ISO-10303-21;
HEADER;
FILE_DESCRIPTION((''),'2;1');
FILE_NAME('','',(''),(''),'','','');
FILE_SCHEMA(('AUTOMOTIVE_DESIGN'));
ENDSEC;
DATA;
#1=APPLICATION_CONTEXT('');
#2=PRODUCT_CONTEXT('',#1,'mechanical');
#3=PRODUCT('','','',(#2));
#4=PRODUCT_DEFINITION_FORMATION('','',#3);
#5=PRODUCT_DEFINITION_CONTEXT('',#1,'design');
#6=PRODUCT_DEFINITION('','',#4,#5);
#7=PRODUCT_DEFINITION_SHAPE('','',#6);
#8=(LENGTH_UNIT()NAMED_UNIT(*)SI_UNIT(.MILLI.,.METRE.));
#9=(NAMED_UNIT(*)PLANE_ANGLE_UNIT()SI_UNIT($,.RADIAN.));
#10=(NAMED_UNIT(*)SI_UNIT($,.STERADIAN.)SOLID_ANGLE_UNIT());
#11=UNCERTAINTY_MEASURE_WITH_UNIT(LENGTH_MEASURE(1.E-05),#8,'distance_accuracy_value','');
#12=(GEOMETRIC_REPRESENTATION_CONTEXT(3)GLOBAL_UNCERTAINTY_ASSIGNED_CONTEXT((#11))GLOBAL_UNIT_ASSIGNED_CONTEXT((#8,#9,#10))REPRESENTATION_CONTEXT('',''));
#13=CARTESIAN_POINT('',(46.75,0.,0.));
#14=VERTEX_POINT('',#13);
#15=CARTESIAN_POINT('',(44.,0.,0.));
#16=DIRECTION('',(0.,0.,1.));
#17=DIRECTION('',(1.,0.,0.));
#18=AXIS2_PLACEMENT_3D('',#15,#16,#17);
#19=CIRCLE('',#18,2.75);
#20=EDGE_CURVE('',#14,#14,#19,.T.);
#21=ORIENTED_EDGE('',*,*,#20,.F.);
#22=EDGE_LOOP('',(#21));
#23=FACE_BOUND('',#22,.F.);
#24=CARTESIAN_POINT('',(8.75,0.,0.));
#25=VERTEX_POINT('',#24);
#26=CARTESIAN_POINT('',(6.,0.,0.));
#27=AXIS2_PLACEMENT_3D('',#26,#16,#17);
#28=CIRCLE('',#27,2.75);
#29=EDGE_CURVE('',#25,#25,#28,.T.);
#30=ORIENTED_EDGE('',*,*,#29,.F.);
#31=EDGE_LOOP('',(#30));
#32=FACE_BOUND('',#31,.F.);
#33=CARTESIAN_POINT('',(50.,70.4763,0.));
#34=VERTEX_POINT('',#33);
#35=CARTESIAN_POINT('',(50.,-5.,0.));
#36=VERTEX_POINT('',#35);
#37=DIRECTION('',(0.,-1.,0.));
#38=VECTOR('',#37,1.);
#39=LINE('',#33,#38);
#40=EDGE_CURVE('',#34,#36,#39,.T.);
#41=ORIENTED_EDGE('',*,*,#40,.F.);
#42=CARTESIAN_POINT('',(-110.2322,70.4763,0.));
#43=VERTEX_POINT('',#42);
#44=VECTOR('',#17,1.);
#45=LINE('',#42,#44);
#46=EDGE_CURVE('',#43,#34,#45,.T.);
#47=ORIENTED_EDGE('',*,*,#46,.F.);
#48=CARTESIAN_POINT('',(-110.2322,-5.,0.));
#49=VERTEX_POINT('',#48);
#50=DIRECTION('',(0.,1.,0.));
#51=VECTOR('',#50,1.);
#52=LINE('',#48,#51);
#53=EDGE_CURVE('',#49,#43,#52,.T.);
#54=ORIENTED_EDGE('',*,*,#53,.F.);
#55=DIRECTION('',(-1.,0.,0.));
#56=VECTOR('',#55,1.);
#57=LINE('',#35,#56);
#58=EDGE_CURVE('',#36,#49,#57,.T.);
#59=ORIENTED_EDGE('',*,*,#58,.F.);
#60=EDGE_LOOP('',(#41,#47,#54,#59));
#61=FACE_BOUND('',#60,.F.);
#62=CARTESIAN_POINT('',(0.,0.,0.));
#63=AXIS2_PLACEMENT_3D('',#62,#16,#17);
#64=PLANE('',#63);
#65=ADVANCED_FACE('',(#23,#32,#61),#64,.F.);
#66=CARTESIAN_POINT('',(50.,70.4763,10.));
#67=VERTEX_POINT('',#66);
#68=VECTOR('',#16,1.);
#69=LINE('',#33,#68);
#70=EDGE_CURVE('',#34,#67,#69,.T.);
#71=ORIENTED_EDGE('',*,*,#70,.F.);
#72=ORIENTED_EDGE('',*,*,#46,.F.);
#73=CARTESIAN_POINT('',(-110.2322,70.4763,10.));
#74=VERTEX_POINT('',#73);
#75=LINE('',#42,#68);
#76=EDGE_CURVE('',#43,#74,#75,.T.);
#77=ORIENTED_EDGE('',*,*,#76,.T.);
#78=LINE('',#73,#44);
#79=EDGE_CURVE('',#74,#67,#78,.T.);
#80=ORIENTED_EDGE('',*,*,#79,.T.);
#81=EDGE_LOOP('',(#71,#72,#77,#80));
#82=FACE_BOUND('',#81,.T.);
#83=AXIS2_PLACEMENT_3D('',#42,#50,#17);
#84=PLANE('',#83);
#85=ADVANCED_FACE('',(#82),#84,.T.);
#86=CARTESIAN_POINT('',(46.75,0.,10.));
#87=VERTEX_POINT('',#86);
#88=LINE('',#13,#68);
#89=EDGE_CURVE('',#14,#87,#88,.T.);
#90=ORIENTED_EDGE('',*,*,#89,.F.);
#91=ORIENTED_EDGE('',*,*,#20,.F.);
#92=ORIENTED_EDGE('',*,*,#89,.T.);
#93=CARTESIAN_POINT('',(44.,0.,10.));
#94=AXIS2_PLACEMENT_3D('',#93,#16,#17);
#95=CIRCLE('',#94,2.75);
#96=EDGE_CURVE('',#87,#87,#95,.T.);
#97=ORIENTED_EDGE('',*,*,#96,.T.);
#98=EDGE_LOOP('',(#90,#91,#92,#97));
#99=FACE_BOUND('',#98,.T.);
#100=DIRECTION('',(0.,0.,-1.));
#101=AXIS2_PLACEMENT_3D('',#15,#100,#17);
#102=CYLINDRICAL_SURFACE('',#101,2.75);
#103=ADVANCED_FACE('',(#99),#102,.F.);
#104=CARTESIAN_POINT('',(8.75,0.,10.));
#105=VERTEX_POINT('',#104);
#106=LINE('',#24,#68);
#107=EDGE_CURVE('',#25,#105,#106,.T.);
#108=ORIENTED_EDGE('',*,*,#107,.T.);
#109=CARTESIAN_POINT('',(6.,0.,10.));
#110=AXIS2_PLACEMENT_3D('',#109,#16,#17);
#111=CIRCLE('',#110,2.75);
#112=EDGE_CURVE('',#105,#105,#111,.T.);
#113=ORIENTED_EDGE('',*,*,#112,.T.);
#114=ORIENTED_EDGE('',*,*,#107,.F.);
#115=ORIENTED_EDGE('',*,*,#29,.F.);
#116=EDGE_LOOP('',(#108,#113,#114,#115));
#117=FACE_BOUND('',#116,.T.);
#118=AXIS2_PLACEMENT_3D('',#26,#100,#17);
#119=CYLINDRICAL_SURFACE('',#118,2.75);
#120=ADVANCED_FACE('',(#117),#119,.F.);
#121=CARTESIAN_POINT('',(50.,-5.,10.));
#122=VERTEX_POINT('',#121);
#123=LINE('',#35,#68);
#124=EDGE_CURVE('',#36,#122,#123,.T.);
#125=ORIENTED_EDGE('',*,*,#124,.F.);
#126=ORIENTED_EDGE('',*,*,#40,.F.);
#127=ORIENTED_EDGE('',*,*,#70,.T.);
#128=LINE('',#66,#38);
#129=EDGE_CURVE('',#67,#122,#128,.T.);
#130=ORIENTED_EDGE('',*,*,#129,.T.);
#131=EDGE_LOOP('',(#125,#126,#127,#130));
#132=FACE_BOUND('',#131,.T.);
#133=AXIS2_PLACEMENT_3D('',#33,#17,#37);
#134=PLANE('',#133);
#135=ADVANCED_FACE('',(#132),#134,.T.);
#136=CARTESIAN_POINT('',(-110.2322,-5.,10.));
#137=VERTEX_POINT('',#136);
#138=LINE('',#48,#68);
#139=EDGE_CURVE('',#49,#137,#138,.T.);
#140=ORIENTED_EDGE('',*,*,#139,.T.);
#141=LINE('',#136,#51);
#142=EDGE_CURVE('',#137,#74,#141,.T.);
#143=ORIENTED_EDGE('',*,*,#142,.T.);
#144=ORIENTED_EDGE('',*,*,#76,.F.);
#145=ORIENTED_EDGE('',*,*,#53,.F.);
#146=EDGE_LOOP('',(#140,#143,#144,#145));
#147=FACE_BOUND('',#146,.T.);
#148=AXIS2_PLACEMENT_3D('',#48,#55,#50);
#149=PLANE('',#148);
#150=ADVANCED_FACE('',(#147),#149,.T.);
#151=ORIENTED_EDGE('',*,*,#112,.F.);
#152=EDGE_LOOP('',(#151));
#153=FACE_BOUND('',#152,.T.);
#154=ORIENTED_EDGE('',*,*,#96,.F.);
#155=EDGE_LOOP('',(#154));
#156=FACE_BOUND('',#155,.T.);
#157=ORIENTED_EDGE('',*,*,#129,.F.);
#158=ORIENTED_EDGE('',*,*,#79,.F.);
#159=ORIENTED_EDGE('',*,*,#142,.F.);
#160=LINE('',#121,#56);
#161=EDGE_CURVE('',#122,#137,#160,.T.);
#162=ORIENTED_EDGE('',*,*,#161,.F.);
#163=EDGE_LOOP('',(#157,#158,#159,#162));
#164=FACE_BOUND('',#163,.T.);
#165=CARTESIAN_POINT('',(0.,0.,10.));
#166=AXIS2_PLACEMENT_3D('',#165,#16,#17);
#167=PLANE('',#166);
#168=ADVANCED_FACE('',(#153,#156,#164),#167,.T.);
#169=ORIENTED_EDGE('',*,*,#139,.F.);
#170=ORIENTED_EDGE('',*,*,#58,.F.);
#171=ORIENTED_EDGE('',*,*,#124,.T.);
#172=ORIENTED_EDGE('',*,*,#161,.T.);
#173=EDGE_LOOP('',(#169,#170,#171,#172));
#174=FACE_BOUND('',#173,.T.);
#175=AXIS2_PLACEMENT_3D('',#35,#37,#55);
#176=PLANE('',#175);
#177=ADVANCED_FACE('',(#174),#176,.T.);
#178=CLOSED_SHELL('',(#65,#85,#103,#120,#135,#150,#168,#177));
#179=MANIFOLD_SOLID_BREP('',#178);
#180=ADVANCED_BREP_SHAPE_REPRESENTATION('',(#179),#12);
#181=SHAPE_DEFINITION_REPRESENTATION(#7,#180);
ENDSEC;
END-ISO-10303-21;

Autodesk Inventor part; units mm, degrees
ref_plane "YZ Plane" through (0, 0, 0) normal (1, 0, 0) x (0, 1, 0)
ref_plane "XZ Plane" through (0, 0, 0) normal (0, 1, 0) x (-1, 0, 0)
ref_plane "XY Plane" through (0, 0, 0) normal (0, 0, 1) x (1, 0, 0)
sketch "スケッチ1" plane through (0, 0, 0) normal (0, 0, 1) x (1, 0, 0)
  line L0 (50, -5) -> (-110.2322, -5)
  line L1 (-110.2322, -5) -> (-110.2322, 70.4763)
  line L2 (-110.2322, 70.4763) -> (50, 70.4763)
  line L3 (50, 70.4763) -> (50, -5)
  circle A0 centre (44, 0) radius 2.75 projected
  circle A1 centre (6, 0) radius 2.75 projected
  point P0 (0, 0)
extrude "押し出し1" add sketch "スケッチ1" along normal blind 10
